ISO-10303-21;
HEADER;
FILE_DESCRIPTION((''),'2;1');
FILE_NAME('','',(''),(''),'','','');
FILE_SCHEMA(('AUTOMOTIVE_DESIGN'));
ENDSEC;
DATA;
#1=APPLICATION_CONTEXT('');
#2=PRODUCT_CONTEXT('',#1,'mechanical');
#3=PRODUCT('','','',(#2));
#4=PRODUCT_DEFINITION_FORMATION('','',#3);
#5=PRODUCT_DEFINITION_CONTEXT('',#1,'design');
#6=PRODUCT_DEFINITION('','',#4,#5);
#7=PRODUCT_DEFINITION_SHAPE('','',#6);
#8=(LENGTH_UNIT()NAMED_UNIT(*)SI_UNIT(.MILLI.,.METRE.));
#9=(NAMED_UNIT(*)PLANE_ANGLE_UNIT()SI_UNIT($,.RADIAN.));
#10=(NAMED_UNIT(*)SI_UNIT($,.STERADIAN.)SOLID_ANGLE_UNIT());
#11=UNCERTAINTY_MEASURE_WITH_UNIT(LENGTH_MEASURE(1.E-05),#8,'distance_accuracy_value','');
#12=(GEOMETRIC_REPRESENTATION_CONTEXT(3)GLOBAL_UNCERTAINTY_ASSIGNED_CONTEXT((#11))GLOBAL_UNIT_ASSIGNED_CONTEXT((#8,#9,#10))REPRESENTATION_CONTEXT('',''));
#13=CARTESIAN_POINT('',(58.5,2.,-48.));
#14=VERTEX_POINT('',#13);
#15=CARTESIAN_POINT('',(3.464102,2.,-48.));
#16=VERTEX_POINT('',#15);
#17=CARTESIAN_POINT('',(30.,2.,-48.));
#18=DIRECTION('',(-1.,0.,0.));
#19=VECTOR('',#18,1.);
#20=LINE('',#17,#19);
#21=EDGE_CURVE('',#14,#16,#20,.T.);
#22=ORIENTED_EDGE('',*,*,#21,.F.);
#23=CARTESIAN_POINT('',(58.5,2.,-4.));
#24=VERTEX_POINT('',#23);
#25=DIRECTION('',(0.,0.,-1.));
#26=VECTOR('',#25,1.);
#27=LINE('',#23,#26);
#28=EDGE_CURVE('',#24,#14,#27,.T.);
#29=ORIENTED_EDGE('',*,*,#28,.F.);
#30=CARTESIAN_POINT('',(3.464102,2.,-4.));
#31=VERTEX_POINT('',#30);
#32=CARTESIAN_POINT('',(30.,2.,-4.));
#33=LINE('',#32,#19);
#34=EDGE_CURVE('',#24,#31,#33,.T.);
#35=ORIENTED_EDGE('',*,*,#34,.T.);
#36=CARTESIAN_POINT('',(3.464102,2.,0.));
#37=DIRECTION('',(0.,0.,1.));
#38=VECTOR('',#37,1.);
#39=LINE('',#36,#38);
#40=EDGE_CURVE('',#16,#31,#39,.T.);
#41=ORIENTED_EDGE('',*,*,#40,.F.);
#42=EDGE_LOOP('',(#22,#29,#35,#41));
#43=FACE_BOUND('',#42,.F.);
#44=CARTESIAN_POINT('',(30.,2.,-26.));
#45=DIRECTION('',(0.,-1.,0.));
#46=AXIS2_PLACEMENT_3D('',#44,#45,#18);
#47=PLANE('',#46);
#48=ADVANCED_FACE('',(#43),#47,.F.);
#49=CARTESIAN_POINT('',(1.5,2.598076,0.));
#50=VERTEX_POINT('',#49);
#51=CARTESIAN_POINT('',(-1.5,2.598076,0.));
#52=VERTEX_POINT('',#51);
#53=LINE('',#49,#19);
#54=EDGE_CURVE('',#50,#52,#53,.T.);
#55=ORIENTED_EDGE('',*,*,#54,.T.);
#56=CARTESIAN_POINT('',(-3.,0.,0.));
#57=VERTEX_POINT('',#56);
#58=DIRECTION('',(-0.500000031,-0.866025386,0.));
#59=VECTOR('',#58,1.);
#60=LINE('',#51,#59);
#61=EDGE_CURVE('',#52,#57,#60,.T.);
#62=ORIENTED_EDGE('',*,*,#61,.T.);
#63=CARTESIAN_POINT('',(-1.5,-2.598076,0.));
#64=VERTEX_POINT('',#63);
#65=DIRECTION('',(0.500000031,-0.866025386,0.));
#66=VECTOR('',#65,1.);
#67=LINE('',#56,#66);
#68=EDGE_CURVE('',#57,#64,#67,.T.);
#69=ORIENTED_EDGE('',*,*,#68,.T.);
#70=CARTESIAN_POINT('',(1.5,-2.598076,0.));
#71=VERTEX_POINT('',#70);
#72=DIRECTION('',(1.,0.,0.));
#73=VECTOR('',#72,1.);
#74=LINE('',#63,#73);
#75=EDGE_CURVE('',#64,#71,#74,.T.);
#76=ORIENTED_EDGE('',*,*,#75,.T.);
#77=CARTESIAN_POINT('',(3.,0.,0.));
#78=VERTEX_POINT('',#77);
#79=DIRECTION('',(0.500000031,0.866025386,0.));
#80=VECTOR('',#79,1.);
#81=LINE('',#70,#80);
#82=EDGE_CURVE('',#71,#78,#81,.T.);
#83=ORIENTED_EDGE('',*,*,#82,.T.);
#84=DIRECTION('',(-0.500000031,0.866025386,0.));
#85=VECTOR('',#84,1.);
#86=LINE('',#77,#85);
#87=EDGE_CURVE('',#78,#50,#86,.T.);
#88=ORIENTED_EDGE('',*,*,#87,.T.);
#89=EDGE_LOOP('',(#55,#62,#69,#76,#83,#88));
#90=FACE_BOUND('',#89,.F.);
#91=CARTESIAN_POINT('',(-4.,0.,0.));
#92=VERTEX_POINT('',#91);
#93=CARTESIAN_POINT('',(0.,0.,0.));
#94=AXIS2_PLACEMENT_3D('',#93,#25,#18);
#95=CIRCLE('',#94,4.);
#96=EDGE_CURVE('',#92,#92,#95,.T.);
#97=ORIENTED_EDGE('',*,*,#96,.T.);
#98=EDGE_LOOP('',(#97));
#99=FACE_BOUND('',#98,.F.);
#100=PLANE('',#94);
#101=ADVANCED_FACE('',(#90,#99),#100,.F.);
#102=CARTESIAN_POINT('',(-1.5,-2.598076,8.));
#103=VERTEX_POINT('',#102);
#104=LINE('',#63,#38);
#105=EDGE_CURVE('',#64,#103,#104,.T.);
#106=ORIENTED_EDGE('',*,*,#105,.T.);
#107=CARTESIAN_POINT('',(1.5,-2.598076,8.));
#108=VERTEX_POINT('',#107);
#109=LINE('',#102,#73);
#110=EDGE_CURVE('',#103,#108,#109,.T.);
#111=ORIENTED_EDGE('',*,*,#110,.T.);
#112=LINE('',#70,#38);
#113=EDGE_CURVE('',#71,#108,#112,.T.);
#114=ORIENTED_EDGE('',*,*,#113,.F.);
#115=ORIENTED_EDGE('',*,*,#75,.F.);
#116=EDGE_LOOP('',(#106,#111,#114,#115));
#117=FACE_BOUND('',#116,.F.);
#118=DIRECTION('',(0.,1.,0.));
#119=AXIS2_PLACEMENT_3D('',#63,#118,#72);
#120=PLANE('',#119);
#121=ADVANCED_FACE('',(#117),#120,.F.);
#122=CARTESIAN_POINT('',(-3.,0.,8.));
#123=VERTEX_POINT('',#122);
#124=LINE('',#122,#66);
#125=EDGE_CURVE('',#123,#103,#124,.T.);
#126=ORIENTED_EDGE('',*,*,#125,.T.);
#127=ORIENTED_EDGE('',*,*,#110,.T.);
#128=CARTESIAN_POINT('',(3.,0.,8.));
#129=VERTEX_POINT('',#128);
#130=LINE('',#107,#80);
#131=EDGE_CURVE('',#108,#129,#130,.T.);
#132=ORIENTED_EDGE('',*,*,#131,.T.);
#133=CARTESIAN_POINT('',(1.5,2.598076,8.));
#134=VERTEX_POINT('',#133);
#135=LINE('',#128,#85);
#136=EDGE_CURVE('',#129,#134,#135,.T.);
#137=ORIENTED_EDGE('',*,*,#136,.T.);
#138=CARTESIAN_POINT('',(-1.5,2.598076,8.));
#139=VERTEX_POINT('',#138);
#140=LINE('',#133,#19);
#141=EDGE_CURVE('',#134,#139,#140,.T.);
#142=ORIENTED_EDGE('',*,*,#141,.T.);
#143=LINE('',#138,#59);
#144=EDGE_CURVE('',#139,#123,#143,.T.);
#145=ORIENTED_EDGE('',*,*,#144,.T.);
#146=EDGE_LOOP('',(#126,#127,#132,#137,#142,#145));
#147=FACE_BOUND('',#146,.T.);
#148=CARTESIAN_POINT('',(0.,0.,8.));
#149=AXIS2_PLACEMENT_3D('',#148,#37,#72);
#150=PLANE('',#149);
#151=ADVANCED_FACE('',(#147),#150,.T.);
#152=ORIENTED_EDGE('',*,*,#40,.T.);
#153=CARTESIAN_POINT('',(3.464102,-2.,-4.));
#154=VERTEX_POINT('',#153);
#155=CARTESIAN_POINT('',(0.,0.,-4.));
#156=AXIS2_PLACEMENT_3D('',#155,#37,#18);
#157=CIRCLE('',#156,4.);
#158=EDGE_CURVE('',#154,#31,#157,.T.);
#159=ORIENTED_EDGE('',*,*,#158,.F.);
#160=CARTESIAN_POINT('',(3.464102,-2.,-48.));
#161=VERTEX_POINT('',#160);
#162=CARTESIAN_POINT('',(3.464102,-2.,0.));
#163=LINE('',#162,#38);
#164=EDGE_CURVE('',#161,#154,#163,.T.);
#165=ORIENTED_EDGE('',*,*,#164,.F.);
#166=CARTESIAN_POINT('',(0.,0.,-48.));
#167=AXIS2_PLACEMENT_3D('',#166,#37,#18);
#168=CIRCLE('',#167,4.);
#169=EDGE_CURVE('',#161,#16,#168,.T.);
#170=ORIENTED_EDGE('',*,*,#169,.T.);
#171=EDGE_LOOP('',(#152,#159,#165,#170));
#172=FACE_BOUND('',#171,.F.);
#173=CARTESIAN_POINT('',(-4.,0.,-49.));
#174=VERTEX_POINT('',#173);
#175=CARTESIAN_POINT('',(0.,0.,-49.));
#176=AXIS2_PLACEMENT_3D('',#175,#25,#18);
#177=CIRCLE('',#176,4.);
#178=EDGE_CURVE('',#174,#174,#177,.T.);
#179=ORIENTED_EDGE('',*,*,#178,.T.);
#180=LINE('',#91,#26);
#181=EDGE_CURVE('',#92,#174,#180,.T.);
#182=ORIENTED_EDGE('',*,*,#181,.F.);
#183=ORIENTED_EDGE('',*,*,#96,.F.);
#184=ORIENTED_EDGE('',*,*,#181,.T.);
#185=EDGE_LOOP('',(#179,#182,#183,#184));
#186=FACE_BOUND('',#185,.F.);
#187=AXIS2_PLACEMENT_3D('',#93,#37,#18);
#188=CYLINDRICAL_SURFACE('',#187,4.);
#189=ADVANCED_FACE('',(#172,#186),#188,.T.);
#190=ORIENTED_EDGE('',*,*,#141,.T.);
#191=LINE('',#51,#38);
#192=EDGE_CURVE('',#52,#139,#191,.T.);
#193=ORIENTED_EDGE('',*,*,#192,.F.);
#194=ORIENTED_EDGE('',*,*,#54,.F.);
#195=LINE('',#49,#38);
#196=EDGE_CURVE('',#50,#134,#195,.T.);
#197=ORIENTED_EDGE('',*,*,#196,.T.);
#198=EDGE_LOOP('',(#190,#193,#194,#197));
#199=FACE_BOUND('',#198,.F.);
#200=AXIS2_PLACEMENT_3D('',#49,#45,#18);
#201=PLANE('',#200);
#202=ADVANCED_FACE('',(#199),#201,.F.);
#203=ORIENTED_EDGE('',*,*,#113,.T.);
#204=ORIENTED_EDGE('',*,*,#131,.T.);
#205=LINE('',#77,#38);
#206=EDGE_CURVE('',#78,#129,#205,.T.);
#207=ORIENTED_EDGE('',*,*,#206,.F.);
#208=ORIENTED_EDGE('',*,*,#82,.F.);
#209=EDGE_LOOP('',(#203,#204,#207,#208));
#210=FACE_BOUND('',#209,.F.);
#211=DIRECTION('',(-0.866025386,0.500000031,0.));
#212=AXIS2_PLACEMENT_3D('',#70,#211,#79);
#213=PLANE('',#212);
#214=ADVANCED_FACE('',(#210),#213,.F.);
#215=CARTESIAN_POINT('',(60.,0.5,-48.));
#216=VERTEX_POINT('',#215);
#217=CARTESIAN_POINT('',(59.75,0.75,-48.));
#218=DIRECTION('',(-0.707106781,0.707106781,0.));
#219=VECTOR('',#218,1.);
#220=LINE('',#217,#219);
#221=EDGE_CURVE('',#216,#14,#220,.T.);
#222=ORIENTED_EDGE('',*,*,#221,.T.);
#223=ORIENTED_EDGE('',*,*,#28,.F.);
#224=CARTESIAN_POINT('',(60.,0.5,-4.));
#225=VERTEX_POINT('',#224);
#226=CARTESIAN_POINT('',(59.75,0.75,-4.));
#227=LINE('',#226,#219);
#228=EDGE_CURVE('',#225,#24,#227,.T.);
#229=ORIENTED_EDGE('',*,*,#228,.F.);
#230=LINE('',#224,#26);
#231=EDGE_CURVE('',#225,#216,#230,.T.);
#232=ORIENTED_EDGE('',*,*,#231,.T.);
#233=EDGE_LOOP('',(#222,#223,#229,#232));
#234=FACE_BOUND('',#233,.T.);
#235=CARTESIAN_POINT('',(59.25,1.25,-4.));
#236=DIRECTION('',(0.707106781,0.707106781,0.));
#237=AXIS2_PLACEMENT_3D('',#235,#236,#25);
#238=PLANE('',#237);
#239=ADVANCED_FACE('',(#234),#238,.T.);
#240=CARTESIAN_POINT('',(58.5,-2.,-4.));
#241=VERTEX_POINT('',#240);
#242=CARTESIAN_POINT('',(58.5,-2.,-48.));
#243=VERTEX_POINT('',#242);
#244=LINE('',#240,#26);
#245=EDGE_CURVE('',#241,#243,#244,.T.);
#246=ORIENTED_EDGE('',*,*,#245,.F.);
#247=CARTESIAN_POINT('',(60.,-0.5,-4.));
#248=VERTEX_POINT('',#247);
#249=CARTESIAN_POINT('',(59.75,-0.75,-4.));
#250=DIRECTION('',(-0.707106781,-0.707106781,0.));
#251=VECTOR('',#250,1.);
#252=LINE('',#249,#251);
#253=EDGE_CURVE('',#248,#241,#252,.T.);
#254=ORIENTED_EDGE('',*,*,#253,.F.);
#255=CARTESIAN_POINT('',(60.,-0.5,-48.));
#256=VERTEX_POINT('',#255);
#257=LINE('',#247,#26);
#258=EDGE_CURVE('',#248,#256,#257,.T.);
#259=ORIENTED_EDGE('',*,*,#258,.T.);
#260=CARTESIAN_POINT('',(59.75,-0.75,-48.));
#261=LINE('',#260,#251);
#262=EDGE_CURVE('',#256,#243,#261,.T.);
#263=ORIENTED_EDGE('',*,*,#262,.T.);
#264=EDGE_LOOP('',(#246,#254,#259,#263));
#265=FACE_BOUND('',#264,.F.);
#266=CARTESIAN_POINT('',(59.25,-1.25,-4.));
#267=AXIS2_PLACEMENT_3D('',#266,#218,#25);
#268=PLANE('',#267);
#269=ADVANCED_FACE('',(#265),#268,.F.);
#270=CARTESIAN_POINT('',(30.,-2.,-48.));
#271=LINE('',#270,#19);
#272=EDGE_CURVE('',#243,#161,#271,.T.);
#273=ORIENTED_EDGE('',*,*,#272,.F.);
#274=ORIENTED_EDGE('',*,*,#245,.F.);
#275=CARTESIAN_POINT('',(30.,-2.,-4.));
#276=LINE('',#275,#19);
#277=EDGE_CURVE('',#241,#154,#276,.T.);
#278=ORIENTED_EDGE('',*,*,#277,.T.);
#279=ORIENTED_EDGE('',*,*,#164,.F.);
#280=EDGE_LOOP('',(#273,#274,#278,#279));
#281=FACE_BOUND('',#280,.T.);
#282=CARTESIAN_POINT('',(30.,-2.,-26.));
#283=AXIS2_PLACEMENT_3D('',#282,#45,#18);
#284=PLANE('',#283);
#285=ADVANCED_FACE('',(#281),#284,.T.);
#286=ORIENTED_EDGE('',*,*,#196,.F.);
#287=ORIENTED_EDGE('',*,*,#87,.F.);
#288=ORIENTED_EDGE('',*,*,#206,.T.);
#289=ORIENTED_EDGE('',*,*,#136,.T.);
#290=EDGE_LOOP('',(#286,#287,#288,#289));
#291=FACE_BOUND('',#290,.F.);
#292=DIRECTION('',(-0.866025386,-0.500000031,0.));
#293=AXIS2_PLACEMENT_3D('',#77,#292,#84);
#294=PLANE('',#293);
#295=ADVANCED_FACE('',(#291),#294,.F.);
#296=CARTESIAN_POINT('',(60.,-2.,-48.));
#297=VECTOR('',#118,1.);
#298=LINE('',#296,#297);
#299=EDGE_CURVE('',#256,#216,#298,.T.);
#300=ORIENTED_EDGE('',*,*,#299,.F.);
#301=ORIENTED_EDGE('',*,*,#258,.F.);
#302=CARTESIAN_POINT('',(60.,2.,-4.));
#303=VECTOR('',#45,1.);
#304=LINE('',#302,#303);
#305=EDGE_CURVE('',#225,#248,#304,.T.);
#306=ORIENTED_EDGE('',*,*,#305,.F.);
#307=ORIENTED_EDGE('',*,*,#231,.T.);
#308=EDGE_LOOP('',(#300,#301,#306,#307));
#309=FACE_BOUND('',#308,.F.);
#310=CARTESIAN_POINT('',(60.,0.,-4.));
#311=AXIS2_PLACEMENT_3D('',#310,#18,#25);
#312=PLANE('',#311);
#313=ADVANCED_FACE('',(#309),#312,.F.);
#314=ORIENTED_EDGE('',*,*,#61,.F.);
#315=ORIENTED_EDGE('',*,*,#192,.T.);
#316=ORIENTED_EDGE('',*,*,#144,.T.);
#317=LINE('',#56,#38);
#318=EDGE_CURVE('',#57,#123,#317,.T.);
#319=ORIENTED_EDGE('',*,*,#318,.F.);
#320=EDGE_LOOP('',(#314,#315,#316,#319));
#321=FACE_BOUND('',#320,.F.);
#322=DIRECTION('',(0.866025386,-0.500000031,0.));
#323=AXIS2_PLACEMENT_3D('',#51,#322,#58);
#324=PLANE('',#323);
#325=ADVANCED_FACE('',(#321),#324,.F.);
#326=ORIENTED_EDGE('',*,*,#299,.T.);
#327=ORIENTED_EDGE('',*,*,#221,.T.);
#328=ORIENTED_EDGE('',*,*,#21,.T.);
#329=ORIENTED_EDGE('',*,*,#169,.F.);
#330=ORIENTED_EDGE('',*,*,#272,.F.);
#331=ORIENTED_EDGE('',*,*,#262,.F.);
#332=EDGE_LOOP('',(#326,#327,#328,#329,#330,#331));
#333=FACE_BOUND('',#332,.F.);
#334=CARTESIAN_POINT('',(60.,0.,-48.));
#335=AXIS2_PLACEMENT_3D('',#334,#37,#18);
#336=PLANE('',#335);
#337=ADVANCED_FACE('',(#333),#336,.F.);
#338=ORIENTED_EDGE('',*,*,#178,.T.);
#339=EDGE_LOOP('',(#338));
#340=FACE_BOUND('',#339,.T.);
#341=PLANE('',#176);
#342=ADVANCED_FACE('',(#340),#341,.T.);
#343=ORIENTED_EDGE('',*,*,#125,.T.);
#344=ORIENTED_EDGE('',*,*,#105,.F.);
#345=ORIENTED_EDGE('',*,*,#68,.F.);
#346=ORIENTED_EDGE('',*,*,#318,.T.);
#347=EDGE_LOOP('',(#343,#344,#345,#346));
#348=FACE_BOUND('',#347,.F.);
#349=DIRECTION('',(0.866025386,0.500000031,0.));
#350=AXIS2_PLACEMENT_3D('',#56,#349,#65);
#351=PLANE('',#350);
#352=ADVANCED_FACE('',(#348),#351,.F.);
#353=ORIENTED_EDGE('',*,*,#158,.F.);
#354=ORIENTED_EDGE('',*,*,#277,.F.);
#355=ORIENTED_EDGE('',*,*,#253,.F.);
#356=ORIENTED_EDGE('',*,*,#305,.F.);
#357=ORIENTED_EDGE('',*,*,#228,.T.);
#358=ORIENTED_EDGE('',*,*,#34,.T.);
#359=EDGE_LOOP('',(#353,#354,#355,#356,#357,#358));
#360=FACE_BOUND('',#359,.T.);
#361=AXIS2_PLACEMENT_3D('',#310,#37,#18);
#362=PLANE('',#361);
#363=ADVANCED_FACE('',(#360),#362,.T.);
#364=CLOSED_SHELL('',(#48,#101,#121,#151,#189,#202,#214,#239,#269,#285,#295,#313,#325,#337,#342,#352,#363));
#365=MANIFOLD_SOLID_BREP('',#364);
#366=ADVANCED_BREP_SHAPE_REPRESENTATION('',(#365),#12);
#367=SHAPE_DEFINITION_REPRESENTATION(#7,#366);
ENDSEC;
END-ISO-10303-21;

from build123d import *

# Parameters (mm, degrees)
SKETCH017_W               = 60
SKETCH017_H               = 44
EXTRUDE021_DEPTH          = 2
CHAMFER001_SIZE           = 1.5
EXTRUDE024_DEPTH          = 8
SKETCH016_R               = 4
EXTRUDE020_DEPTH          = 49
FUSION008_PLACEMENT_ANGLE = 180


with BuildPart() as chamfer001:
    # Sketch017 (on Extrude) → Extrude021 (new body, symmetric)
    with BuildSketch(Plane.XZ):
        with Locations((-30, 26)):
            Rectangle(SKETCH017_W, SKETCH017_H)
    extrude(amount=EXTRUDE021_DEPTH, both=True)

    # Chamfer001
    chamfer001_edges = [chamfer001.edges().sort_by_distance(p)[0] for p in [
        (-60, 2, 26),
        (-60, -2, 26),
    ]]
    chamfer(chamfer001_edges, length=CHAMFER001_SIZE)


with BuildPart() as extrude024:
    # Sketch019 → Extrude024 (new body)
    with BuildSketch(Plane.XY):
        Polygon((-1.5, 2.598076), (1.5, 2.598076), (3, 0), (1.5, -2.598076), (-1.5, -2.598076), (-3, 0), align=None)
    extrude(amount=-EXTRUDE024_DEPTH)


with BuildPart() as reject_flap:
    # Sketch016 → Extrude020 (new body)
    with BuildSketch(Plane.XY):
        Circle(SKETCH016_R)
    extrude(amount=EXTRUDE020_DEPTH)

    # Fusion008: union Chamfer001, Extrude024
    add(chamfer001.part)
    add(extrude024.part)


with BuildPart() as reject_flap_1:
    # Fusion008 placement: moved
    add(reject_flap.part.rotate(Axis((0, 0, 0), (0, 1, 0)), FUSION008_PLACEMENT_ANGLE))


solid = reject_flap_1.part
